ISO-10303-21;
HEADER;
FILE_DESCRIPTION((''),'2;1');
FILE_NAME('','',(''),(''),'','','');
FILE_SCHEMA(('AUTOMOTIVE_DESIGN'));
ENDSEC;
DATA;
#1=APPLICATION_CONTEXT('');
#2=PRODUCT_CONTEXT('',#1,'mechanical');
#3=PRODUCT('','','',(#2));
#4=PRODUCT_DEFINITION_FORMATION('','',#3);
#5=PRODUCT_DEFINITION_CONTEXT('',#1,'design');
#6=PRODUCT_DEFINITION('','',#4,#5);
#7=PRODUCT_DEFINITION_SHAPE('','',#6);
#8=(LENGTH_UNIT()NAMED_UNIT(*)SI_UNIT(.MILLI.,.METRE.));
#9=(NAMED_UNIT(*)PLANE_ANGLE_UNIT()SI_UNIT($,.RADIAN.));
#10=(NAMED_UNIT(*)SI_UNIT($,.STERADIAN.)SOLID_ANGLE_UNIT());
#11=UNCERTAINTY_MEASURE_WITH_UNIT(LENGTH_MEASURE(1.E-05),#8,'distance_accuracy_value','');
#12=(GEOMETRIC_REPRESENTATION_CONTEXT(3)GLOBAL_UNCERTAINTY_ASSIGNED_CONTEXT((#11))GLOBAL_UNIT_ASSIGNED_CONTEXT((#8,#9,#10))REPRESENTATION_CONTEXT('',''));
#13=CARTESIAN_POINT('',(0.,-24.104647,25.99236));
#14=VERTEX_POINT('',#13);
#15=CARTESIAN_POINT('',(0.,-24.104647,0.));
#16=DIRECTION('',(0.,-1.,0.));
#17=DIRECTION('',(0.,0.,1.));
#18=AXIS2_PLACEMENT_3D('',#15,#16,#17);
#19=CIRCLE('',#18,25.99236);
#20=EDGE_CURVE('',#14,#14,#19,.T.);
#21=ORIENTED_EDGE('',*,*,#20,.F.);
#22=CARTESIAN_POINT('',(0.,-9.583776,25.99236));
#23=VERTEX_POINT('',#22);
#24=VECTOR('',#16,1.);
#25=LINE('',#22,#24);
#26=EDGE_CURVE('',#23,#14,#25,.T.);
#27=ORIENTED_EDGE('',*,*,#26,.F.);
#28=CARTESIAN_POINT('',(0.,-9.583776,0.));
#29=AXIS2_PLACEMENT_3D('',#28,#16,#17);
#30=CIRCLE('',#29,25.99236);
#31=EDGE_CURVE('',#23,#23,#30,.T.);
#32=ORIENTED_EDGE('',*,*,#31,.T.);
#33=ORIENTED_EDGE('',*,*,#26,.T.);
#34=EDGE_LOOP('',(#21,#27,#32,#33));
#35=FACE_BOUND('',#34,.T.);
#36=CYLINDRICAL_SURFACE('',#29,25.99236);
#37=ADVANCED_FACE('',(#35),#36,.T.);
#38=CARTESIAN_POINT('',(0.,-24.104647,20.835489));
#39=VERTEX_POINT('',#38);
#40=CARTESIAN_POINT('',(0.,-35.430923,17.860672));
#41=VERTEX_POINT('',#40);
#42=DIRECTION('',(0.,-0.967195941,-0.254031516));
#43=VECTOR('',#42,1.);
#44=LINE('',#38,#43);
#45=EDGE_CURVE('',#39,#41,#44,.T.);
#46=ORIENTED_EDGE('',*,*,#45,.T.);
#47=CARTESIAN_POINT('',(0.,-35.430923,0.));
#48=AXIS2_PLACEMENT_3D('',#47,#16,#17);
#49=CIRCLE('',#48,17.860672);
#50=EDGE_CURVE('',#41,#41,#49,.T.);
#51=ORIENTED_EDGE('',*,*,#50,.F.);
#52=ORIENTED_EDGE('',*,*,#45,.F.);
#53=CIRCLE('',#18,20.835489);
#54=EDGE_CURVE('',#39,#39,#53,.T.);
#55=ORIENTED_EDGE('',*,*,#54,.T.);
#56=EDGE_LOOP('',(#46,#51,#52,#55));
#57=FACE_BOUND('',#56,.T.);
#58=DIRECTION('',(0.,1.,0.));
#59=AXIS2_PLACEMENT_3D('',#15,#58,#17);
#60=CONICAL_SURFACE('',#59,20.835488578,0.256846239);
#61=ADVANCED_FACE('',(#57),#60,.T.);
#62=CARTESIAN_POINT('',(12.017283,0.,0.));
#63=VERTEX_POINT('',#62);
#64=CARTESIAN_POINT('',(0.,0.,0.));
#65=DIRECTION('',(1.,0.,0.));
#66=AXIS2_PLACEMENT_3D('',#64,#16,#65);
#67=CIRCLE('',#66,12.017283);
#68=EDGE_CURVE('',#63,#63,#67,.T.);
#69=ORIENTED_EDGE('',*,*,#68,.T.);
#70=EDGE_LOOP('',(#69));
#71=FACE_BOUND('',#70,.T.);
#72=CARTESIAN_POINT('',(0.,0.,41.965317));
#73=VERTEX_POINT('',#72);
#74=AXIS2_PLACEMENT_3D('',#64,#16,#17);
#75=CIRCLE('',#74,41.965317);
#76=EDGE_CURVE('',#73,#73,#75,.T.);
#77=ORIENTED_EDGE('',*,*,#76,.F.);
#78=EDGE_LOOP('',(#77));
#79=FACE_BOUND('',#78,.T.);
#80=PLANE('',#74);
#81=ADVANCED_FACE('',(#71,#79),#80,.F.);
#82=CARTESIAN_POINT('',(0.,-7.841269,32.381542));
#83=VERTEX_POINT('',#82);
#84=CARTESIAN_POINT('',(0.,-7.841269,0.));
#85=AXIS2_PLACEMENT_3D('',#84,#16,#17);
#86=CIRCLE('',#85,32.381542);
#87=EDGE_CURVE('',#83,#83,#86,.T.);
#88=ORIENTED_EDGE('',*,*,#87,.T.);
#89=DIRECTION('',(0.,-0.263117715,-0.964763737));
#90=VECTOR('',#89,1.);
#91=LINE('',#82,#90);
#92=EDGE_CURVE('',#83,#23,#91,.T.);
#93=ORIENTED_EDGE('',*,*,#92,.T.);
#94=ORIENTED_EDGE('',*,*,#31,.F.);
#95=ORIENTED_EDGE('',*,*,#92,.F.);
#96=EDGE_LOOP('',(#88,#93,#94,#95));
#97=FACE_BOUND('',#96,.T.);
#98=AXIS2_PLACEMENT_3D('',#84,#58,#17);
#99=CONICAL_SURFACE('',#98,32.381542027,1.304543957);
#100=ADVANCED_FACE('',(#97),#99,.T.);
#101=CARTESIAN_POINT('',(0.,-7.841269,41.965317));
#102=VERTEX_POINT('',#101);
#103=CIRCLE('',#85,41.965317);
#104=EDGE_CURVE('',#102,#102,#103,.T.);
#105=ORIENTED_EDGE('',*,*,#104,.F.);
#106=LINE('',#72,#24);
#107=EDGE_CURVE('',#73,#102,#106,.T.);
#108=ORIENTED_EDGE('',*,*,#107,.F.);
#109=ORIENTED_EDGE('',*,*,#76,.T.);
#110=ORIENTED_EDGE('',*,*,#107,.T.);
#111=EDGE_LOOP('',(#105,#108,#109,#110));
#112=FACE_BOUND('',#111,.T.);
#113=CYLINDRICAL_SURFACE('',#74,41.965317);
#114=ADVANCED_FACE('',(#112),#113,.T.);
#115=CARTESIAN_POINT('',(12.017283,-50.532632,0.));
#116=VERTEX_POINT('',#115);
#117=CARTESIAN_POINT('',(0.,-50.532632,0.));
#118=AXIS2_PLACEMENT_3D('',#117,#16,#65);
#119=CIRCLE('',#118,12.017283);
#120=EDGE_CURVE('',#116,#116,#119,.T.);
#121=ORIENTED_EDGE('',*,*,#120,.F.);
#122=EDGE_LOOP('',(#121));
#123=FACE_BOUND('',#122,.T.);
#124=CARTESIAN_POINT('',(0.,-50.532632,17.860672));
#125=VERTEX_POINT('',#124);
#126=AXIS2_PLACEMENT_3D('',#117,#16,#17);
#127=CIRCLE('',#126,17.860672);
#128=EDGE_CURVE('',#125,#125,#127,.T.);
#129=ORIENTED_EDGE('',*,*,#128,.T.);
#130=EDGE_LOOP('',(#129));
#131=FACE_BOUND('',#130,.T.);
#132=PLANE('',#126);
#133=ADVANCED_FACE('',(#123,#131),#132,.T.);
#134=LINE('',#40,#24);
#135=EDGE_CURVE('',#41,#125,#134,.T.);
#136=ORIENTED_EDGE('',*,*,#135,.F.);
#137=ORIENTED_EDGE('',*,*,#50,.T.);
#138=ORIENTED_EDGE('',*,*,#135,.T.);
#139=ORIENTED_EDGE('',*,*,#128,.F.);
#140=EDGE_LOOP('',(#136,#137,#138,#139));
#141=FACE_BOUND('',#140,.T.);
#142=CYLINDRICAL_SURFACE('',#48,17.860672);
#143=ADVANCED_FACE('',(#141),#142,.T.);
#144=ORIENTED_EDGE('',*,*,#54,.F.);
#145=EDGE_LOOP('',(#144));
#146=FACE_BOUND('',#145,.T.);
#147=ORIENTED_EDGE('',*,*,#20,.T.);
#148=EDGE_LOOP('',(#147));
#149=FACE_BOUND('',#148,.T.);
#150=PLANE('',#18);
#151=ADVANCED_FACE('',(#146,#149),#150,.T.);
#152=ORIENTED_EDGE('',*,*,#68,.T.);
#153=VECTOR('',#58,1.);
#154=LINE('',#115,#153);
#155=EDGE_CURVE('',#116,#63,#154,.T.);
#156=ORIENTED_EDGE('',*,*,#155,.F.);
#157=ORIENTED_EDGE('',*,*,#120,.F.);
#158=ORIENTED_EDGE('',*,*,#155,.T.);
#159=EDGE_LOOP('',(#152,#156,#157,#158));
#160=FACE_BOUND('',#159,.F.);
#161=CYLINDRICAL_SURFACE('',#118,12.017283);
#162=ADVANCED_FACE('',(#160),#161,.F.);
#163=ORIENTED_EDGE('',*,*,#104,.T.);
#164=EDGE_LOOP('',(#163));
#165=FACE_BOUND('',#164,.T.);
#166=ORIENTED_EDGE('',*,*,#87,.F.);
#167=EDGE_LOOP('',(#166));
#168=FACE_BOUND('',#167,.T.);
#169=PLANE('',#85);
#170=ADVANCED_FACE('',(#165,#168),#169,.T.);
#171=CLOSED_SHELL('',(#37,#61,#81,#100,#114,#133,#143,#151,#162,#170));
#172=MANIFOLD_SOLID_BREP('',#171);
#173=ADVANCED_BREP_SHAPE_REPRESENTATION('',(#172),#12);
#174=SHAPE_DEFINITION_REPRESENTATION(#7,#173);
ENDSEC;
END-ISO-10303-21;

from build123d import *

# Parameters (mm, degrees)
F0_W     = 50.5326315761
F0_H     = 11.1810714006
F2_R     = 12.0172827334
F3_DEPTH = 50.5326315761


with BuildPart() as f1:
    # F0 (on Right) → F1 (revolve)
    with BuildSketch(Plane.YZ):
        Polygon((-50.5326315761, 11.1810714006), (0, 11.1810714006), (0, 41.9653169811), (-7.8412694857, 41.9653169811), (-7.8412694857, 32.381542027), (-9.5837758854, 25.992359966), (-24.1046473384, 25.992359966), (-24.1046473384, 20.8354885775), (-35.4309231043, 17.8606715053), (-50.5326315761, 17.8606715053), align=None)
        with Locations((-25.266315788, 5.5905357003)):
            Rectangle(F0_W, F0_H)
    revolve(axis=Axis((0, -25.266315788, 0), (0, -1, 0)))

    # F2 (on face) → F3 (cut, through all)
    with BuildSketch(Plane.XZ.offset(50.5326315761)):
        Circle(F2_R)
    extrude(amount=-F3_DEPTH, mode=Mode.SUBTRACT)


solid = f1.part
